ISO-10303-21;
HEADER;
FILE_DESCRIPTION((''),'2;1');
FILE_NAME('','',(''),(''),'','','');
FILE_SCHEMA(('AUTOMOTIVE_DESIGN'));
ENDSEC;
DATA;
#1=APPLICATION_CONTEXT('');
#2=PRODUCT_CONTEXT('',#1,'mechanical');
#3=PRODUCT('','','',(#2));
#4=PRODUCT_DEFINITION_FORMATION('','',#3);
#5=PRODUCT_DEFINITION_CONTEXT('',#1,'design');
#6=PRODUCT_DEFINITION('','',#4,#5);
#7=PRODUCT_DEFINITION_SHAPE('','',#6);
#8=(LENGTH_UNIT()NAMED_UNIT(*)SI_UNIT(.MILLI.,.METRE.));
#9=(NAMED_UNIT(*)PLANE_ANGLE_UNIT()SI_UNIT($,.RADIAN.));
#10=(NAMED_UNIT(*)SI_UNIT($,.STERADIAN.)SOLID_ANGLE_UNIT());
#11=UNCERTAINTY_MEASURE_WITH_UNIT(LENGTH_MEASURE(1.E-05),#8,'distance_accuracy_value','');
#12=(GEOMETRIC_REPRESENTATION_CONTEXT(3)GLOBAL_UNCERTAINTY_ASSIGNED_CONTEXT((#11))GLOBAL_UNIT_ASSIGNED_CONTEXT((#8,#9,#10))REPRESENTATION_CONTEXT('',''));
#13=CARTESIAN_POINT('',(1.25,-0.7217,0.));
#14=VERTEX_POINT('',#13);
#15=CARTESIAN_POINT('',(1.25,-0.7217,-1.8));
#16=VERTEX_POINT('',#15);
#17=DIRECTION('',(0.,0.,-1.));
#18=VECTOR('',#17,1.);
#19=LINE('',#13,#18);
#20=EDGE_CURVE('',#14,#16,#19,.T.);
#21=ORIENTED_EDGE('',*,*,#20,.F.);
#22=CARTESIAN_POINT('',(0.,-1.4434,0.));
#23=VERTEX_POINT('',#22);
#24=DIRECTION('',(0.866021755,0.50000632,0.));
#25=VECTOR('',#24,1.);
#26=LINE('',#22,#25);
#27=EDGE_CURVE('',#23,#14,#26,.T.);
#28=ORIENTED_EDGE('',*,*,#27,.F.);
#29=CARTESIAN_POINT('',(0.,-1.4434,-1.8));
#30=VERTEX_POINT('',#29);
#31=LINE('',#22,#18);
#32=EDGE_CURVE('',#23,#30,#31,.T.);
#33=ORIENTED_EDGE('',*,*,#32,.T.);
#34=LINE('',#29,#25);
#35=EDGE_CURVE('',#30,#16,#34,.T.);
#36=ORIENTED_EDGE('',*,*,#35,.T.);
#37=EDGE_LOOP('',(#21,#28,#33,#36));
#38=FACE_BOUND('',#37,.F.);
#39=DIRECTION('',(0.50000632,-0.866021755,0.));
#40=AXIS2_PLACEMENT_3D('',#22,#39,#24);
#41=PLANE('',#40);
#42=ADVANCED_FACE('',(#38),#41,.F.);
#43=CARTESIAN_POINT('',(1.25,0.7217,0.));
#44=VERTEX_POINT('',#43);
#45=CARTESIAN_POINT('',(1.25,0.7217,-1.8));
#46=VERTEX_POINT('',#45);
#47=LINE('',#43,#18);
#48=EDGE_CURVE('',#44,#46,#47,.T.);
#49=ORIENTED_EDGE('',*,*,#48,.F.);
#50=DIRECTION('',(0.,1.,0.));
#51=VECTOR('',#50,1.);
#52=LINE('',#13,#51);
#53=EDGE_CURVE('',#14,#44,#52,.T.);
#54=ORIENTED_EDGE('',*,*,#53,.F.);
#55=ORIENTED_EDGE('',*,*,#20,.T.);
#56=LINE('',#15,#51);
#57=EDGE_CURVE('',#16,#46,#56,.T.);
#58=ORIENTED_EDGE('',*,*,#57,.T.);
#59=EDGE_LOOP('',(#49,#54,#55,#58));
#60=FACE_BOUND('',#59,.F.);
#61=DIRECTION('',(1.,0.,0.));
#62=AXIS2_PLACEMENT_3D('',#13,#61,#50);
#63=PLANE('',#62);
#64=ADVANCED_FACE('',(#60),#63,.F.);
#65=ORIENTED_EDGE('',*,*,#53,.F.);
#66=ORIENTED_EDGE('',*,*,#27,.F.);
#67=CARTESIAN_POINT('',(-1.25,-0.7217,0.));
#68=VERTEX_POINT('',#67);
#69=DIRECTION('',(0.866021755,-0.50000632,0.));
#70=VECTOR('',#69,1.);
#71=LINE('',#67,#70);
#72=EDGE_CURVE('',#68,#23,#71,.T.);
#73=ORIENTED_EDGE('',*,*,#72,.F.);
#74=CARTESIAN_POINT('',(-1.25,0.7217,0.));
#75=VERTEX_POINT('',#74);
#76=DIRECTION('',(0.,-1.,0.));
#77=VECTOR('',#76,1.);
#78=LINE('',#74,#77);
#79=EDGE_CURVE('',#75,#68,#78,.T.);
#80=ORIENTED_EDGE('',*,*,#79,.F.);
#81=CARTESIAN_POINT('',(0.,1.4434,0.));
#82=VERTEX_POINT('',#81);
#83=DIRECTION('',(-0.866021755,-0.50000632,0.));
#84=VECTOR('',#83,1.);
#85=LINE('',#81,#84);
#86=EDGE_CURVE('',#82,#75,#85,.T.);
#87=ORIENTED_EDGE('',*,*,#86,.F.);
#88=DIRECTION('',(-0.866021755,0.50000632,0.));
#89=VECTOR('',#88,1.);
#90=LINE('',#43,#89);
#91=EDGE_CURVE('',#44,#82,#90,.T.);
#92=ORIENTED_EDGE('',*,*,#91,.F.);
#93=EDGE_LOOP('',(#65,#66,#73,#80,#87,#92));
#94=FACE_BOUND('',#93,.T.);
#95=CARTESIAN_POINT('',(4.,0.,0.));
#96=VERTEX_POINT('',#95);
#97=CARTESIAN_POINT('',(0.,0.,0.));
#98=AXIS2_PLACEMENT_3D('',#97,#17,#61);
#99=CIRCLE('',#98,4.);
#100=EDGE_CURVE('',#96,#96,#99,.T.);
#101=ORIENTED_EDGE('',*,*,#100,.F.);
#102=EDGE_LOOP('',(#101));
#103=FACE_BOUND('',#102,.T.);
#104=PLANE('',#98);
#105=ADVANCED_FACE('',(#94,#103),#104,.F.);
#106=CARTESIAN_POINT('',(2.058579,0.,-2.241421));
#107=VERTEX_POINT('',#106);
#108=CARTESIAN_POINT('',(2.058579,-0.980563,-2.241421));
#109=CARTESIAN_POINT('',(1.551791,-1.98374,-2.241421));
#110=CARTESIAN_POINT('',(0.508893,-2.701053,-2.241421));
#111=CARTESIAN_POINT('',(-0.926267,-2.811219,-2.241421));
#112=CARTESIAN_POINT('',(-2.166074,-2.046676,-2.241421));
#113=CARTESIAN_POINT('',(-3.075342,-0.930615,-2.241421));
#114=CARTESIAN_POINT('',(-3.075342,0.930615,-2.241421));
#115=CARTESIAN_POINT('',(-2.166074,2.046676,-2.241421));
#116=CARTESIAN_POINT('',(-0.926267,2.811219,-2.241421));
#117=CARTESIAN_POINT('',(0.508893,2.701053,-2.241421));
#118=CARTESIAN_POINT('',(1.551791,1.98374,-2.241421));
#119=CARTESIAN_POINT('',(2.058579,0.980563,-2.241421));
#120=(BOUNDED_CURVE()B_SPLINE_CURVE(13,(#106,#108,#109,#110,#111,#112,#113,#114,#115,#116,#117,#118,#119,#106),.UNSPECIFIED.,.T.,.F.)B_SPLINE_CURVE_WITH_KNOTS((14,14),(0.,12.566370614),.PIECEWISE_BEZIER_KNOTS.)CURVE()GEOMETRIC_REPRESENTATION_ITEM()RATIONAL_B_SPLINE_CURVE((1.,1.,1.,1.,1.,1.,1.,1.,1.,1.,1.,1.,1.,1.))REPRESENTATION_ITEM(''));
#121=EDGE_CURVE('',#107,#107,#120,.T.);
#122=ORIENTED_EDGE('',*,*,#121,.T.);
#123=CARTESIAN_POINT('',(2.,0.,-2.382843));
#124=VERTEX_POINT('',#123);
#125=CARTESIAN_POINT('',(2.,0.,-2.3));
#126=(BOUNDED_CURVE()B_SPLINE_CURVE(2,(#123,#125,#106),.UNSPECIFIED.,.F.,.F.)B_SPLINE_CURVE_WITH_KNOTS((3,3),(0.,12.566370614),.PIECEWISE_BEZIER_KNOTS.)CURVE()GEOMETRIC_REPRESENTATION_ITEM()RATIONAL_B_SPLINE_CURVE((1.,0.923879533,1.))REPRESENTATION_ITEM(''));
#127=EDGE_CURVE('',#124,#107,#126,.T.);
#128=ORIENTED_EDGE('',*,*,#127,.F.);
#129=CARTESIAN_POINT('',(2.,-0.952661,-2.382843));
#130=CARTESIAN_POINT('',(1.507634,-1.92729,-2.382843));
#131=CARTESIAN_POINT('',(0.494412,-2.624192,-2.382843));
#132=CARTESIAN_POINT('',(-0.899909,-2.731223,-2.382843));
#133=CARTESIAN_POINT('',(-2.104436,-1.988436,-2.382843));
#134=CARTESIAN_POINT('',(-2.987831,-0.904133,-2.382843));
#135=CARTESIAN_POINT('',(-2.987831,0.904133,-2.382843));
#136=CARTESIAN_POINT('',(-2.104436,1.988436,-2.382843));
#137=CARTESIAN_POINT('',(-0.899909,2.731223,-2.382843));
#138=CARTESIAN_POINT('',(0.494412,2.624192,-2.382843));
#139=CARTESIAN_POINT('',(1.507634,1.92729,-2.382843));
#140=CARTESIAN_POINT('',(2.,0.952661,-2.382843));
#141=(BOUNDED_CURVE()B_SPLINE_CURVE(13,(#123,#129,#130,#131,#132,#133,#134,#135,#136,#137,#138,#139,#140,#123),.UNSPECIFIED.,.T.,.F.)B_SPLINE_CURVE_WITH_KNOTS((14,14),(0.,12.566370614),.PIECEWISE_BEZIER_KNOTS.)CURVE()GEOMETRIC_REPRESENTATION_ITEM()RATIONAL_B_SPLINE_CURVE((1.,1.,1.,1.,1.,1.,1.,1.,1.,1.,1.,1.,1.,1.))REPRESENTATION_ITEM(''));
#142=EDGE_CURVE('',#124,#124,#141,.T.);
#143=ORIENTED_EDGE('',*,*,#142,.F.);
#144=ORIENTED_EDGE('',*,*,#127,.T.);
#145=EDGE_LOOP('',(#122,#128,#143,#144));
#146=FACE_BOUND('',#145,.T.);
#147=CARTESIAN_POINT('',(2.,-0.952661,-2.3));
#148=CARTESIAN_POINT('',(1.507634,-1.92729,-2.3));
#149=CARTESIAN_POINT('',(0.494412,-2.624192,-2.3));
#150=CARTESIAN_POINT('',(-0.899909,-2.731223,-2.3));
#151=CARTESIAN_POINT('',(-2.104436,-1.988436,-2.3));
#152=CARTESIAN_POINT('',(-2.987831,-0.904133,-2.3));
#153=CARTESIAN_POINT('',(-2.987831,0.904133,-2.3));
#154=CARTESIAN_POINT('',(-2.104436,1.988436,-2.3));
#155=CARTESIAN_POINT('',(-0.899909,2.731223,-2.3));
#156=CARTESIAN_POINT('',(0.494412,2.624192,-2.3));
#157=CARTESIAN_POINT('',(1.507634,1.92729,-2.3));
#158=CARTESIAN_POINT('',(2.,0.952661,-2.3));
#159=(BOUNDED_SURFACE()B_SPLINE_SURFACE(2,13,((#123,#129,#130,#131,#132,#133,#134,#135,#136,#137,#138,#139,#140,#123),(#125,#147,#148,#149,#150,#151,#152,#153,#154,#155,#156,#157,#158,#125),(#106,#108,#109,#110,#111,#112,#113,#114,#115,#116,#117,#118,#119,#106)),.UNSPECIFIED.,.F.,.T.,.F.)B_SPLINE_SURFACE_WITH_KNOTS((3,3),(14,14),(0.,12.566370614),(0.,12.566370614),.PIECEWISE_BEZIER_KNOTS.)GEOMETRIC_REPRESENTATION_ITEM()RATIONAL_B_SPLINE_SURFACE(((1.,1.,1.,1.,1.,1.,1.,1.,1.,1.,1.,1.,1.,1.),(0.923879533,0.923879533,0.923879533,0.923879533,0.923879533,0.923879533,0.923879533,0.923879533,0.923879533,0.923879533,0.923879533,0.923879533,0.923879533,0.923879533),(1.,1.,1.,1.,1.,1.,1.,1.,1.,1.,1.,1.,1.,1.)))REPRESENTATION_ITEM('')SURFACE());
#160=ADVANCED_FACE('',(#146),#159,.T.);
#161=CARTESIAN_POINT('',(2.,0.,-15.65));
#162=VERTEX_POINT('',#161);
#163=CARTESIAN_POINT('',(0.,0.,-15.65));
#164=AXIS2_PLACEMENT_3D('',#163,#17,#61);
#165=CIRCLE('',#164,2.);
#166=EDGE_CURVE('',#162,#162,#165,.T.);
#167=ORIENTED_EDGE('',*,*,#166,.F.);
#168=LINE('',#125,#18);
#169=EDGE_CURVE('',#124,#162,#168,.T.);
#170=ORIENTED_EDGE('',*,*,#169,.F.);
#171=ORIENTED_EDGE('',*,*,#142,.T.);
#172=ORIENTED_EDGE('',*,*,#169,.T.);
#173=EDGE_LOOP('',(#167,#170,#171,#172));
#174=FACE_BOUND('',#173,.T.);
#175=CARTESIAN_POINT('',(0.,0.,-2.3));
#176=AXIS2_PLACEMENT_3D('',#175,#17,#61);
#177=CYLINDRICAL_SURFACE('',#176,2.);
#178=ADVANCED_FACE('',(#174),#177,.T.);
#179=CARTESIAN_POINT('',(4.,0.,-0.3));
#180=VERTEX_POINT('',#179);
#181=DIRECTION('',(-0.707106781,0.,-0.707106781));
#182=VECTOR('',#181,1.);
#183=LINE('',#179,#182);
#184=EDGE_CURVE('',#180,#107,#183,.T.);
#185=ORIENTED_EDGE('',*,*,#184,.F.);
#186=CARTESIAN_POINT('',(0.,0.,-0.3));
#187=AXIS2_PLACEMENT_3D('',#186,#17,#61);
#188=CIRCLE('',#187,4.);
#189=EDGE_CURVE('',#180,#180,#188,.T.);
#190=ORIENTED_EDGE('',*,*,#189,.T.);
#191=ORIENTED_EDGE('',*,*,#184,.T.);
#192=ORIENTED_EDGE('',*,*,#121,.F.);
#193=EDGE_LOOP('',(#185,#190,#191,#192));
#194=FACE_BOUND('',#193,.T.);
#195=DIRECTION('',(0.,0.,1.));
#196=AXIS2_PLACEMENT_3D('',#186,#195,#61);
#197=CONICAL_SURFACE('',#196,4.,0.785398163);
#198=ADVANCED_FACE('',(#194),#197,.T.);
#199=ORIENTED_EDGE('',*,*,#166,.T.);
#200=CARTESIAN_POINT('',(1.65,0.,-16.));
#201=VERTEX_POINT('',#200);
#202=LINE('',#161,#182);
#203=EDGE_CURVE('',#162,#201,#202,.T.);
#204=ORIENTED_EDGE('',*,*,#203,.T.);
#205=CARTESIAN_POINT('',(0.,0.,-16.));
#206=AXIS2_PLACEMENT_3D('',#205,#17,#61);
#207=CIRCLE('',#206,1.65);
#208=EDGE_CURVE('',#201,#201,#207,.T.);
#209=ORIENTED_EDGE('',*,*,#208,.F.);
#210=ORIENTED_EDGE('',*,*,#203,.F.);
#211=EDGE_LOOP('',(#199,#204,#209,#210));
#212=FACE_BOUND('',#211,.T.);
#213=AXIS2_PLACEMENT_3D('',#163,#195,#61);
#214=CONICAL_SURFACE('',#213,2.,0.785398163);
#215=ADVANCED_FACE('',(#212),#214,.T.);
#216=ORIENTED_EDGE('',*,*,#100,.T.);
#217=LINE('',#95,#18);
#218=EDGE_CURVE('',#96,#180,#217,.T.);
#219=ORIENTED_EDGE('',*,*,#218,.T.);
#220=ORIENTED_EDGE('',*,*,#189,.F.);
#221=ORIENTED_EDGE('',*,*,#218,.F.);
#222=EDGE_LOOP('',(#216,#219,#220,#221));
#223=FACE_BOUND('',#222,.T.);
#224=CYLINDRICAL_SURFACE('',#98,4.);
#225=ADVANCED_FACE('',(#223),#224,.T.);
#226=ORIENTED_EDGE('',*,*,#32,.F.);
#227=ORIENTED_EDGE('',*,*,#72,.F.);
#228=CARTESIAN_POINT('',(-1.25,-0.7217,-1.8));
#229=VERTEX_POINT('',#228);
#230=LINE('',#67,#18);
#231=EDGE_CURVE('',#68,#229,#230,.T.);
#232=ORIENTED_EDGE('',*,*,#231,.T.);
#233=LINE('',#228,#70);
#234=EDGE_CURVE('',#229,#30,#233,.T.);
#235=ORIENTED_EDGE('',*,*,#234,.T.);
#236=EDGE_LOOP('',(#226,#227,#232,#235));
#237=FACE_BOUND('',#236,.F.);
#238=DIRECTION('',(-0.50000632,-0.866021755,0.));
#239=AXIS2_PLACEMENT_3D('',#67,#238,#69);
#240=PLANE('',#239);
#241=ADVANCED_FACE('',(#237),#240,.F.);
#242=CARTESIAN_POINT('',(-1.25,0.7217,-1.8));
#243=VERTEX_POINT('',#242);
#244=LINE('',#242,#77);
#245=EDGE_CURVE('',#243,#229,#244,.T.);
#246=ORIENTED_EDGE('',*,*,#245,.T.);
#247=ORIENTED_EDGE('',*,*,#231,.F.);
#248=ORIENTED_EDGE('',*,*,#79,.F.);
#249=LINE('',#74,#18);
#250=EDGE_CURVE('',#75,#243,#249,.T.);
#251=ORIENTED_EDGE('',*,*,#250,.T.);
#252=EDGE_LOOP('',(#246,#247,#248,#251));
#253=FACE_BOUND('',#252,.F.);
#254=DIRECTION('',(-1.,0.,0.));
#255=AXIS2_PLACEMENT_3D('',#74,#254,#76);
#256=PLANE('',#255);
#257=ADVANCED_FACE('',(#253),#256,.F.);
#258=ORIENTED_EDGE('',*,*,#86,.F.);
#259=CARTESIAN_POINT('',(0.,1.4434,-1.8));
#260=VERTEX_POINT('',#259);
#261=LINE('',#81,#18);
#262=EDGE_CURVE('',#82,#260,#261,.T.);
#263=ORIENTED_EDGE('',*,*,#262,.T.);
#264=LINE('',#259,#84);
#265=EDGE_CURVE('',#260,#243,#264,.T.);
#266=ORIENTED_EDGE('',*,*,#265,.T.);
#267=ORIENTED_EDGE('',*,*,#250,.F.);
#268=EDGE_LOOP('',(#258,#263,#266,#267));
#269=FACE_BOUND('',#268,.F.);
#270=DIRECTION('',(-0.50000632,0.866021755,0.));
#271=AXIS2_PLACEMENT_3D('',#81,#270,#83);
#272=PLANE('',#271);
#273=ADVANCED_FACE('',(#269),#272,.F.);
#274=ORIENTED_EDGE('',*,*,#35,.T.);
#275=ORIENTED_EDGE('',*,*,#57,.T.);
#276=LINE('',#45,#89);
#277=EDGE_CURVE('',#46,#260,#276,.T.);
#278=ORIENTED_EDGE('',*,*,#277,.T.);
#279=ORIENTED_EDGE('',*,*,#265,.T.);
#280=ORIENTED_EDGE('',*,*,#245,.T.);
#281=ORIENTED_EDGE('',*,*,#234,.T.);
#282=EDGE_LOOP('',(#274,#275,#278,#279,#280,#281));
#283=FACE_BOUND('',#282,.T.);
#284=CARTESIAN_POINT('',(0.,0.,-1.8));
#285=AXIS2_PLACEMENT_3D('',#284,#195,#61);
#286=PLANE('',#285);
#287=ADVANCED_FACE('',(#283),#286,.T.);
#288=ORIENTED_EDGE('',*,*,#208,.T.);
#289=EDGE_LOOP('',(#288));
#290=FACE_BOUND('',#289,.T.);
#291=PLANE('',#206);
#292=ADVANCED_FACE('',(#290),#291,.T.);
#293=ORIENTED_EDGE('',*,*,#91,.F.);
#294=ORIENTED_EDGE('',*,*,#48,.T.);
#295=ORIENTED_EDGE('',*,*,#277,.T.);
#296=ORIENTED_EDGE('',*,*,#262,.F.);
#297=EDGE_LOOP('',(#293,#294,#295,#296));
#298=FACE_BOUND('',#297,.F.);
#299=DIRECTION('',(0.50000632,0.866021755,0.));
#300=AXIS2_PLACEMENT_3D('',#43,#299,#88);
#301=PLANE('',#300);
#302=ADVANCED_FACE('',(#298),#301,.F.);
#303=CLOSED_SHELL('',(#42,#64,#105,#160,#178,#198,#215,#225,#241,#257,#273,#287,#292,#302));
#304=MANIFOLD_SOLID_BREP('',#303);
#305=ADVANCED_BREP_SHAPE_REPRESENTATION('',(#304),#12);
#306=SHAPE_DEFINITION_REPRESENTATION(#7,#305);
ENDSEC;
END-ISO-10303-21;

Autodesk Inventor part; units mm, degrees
ref_plane "YZ Plane" through (0, 0, 0) normal (1, 0, 0) x (0, 1, 0)
sketch "Sketch1" plane through (0, 0, 0) normal (0, 1, 0) x (-1, 0, 0)
  point P0 (0, 0)
sketch "Sketch2" plane through (0, 0, 0) normal (0, 1, 0) x (-1, 0, 0)
  line L0 (-2, -16) -> (0, -16)
  line L1 (-2, -2.3) -> (-2, -16)
  line L2 (-4, -0.3) -> (-2, -2.3)
  line L3 (-4, 0) -> (-4, -0.3)
  line L4 (0, 0) -> (-4, 0)
  line L5 (0, -16) -> (0, 0)
  line L6 (0, -16) -> (0, 0)
  line L7 (0, -19.2) -> (0, 3.2) projected
  line L8 (0.8, 0) -> (-4.8, 0) projected
  dimension "d3" = 4
  dimension "d5" = 2
  dimension "d7" = 16
  dimension "ParC" = 0.3
  dimension "d22" = 0
  dimension "d23" = 0
  dimension "d43" = 45
revolve "Revolution1" add sketch "Sketch2" angle 360 about axis through (0, 0, -16) along (0, 0, -1)
sketch "Sketch3" plane through (0, 0, 0) normal (0, 0, 1) x (1, 0, 0)
  line L0 (-1.25, 0.7217) -> (-1.25, -0.7217)
  line L1 (0, 1.4434) -> (-1.25, 0.7217)
  line L2 (1.25, 0.7217) -> (0, 1.4434)
  line L3 (1.25, -0.7217) -> (1.25, 0.7217)
  line L4 (0, -1.4434) -> (1.25, -0.7217)
  line L5 (-1.25, -0.7217) -> (0, -1.4434)
  circle A0 centre (0, 0) radius 1.25 construction
  circle A1 centre (0, 0) radius 2 construction
  dimension "d11" = 2.5
  dimension "d13" = 120
  dimension "d15" = 120
extrude "Extrusion1" cut sketch "Sketch3" against normal blind 1.8
fillet "Fillet1" radius 0.2 1 edges at (-2, 0, -2.3)
chamfer "Chamfer1" distance 0.35 angle 45 1 edges at (-2, 0, -16) measured on face at (-0.9288, -1.7713, -11.4609)
thread "Thread1" size "M4x0.7" class "6g" standard "ISO Metric profile" length 12.3
ref_plane "MSC_PF1" through (0, 0, 0) normal (1, 0, 0) x (0, 1, 0)
ref_plane "MSC_PT1" through (0, 0, 0) normal (0, 0, -1) x (-1, 0, 0)
equation "\"d3\" = 0.5 * dk"
equation "\"d5\" = 0.5 * NND"
equation "\"d7\" = NLG"
equation "\"d43\" = 0.5 * ang"
equation "\"d18\" = r"
equation "\"d19\" = 0.5 * PTC"
equation "\"d39\" = 0.5 * PTC"
equation "\"d11\" = ParS"
equation "\"d16\" = ParT"
equation "\"NND\" = 4"
equation "\"PTC\" = 0.7"
equation "\"dk\" = 8"
equation "\"ParK\" = 2.3"
equation "\"ParS\" = 2.5"
equation "\"ParT\" = 1.8"
equation "\"r\" = 0.2"
equation "\"NLG\" = 16"
equation "\"ang\" = 90deg"
equation "\"THREADDIA\" = NND"
properties part number "DIN 7991 - M4x16" material "Steel, Mild"
